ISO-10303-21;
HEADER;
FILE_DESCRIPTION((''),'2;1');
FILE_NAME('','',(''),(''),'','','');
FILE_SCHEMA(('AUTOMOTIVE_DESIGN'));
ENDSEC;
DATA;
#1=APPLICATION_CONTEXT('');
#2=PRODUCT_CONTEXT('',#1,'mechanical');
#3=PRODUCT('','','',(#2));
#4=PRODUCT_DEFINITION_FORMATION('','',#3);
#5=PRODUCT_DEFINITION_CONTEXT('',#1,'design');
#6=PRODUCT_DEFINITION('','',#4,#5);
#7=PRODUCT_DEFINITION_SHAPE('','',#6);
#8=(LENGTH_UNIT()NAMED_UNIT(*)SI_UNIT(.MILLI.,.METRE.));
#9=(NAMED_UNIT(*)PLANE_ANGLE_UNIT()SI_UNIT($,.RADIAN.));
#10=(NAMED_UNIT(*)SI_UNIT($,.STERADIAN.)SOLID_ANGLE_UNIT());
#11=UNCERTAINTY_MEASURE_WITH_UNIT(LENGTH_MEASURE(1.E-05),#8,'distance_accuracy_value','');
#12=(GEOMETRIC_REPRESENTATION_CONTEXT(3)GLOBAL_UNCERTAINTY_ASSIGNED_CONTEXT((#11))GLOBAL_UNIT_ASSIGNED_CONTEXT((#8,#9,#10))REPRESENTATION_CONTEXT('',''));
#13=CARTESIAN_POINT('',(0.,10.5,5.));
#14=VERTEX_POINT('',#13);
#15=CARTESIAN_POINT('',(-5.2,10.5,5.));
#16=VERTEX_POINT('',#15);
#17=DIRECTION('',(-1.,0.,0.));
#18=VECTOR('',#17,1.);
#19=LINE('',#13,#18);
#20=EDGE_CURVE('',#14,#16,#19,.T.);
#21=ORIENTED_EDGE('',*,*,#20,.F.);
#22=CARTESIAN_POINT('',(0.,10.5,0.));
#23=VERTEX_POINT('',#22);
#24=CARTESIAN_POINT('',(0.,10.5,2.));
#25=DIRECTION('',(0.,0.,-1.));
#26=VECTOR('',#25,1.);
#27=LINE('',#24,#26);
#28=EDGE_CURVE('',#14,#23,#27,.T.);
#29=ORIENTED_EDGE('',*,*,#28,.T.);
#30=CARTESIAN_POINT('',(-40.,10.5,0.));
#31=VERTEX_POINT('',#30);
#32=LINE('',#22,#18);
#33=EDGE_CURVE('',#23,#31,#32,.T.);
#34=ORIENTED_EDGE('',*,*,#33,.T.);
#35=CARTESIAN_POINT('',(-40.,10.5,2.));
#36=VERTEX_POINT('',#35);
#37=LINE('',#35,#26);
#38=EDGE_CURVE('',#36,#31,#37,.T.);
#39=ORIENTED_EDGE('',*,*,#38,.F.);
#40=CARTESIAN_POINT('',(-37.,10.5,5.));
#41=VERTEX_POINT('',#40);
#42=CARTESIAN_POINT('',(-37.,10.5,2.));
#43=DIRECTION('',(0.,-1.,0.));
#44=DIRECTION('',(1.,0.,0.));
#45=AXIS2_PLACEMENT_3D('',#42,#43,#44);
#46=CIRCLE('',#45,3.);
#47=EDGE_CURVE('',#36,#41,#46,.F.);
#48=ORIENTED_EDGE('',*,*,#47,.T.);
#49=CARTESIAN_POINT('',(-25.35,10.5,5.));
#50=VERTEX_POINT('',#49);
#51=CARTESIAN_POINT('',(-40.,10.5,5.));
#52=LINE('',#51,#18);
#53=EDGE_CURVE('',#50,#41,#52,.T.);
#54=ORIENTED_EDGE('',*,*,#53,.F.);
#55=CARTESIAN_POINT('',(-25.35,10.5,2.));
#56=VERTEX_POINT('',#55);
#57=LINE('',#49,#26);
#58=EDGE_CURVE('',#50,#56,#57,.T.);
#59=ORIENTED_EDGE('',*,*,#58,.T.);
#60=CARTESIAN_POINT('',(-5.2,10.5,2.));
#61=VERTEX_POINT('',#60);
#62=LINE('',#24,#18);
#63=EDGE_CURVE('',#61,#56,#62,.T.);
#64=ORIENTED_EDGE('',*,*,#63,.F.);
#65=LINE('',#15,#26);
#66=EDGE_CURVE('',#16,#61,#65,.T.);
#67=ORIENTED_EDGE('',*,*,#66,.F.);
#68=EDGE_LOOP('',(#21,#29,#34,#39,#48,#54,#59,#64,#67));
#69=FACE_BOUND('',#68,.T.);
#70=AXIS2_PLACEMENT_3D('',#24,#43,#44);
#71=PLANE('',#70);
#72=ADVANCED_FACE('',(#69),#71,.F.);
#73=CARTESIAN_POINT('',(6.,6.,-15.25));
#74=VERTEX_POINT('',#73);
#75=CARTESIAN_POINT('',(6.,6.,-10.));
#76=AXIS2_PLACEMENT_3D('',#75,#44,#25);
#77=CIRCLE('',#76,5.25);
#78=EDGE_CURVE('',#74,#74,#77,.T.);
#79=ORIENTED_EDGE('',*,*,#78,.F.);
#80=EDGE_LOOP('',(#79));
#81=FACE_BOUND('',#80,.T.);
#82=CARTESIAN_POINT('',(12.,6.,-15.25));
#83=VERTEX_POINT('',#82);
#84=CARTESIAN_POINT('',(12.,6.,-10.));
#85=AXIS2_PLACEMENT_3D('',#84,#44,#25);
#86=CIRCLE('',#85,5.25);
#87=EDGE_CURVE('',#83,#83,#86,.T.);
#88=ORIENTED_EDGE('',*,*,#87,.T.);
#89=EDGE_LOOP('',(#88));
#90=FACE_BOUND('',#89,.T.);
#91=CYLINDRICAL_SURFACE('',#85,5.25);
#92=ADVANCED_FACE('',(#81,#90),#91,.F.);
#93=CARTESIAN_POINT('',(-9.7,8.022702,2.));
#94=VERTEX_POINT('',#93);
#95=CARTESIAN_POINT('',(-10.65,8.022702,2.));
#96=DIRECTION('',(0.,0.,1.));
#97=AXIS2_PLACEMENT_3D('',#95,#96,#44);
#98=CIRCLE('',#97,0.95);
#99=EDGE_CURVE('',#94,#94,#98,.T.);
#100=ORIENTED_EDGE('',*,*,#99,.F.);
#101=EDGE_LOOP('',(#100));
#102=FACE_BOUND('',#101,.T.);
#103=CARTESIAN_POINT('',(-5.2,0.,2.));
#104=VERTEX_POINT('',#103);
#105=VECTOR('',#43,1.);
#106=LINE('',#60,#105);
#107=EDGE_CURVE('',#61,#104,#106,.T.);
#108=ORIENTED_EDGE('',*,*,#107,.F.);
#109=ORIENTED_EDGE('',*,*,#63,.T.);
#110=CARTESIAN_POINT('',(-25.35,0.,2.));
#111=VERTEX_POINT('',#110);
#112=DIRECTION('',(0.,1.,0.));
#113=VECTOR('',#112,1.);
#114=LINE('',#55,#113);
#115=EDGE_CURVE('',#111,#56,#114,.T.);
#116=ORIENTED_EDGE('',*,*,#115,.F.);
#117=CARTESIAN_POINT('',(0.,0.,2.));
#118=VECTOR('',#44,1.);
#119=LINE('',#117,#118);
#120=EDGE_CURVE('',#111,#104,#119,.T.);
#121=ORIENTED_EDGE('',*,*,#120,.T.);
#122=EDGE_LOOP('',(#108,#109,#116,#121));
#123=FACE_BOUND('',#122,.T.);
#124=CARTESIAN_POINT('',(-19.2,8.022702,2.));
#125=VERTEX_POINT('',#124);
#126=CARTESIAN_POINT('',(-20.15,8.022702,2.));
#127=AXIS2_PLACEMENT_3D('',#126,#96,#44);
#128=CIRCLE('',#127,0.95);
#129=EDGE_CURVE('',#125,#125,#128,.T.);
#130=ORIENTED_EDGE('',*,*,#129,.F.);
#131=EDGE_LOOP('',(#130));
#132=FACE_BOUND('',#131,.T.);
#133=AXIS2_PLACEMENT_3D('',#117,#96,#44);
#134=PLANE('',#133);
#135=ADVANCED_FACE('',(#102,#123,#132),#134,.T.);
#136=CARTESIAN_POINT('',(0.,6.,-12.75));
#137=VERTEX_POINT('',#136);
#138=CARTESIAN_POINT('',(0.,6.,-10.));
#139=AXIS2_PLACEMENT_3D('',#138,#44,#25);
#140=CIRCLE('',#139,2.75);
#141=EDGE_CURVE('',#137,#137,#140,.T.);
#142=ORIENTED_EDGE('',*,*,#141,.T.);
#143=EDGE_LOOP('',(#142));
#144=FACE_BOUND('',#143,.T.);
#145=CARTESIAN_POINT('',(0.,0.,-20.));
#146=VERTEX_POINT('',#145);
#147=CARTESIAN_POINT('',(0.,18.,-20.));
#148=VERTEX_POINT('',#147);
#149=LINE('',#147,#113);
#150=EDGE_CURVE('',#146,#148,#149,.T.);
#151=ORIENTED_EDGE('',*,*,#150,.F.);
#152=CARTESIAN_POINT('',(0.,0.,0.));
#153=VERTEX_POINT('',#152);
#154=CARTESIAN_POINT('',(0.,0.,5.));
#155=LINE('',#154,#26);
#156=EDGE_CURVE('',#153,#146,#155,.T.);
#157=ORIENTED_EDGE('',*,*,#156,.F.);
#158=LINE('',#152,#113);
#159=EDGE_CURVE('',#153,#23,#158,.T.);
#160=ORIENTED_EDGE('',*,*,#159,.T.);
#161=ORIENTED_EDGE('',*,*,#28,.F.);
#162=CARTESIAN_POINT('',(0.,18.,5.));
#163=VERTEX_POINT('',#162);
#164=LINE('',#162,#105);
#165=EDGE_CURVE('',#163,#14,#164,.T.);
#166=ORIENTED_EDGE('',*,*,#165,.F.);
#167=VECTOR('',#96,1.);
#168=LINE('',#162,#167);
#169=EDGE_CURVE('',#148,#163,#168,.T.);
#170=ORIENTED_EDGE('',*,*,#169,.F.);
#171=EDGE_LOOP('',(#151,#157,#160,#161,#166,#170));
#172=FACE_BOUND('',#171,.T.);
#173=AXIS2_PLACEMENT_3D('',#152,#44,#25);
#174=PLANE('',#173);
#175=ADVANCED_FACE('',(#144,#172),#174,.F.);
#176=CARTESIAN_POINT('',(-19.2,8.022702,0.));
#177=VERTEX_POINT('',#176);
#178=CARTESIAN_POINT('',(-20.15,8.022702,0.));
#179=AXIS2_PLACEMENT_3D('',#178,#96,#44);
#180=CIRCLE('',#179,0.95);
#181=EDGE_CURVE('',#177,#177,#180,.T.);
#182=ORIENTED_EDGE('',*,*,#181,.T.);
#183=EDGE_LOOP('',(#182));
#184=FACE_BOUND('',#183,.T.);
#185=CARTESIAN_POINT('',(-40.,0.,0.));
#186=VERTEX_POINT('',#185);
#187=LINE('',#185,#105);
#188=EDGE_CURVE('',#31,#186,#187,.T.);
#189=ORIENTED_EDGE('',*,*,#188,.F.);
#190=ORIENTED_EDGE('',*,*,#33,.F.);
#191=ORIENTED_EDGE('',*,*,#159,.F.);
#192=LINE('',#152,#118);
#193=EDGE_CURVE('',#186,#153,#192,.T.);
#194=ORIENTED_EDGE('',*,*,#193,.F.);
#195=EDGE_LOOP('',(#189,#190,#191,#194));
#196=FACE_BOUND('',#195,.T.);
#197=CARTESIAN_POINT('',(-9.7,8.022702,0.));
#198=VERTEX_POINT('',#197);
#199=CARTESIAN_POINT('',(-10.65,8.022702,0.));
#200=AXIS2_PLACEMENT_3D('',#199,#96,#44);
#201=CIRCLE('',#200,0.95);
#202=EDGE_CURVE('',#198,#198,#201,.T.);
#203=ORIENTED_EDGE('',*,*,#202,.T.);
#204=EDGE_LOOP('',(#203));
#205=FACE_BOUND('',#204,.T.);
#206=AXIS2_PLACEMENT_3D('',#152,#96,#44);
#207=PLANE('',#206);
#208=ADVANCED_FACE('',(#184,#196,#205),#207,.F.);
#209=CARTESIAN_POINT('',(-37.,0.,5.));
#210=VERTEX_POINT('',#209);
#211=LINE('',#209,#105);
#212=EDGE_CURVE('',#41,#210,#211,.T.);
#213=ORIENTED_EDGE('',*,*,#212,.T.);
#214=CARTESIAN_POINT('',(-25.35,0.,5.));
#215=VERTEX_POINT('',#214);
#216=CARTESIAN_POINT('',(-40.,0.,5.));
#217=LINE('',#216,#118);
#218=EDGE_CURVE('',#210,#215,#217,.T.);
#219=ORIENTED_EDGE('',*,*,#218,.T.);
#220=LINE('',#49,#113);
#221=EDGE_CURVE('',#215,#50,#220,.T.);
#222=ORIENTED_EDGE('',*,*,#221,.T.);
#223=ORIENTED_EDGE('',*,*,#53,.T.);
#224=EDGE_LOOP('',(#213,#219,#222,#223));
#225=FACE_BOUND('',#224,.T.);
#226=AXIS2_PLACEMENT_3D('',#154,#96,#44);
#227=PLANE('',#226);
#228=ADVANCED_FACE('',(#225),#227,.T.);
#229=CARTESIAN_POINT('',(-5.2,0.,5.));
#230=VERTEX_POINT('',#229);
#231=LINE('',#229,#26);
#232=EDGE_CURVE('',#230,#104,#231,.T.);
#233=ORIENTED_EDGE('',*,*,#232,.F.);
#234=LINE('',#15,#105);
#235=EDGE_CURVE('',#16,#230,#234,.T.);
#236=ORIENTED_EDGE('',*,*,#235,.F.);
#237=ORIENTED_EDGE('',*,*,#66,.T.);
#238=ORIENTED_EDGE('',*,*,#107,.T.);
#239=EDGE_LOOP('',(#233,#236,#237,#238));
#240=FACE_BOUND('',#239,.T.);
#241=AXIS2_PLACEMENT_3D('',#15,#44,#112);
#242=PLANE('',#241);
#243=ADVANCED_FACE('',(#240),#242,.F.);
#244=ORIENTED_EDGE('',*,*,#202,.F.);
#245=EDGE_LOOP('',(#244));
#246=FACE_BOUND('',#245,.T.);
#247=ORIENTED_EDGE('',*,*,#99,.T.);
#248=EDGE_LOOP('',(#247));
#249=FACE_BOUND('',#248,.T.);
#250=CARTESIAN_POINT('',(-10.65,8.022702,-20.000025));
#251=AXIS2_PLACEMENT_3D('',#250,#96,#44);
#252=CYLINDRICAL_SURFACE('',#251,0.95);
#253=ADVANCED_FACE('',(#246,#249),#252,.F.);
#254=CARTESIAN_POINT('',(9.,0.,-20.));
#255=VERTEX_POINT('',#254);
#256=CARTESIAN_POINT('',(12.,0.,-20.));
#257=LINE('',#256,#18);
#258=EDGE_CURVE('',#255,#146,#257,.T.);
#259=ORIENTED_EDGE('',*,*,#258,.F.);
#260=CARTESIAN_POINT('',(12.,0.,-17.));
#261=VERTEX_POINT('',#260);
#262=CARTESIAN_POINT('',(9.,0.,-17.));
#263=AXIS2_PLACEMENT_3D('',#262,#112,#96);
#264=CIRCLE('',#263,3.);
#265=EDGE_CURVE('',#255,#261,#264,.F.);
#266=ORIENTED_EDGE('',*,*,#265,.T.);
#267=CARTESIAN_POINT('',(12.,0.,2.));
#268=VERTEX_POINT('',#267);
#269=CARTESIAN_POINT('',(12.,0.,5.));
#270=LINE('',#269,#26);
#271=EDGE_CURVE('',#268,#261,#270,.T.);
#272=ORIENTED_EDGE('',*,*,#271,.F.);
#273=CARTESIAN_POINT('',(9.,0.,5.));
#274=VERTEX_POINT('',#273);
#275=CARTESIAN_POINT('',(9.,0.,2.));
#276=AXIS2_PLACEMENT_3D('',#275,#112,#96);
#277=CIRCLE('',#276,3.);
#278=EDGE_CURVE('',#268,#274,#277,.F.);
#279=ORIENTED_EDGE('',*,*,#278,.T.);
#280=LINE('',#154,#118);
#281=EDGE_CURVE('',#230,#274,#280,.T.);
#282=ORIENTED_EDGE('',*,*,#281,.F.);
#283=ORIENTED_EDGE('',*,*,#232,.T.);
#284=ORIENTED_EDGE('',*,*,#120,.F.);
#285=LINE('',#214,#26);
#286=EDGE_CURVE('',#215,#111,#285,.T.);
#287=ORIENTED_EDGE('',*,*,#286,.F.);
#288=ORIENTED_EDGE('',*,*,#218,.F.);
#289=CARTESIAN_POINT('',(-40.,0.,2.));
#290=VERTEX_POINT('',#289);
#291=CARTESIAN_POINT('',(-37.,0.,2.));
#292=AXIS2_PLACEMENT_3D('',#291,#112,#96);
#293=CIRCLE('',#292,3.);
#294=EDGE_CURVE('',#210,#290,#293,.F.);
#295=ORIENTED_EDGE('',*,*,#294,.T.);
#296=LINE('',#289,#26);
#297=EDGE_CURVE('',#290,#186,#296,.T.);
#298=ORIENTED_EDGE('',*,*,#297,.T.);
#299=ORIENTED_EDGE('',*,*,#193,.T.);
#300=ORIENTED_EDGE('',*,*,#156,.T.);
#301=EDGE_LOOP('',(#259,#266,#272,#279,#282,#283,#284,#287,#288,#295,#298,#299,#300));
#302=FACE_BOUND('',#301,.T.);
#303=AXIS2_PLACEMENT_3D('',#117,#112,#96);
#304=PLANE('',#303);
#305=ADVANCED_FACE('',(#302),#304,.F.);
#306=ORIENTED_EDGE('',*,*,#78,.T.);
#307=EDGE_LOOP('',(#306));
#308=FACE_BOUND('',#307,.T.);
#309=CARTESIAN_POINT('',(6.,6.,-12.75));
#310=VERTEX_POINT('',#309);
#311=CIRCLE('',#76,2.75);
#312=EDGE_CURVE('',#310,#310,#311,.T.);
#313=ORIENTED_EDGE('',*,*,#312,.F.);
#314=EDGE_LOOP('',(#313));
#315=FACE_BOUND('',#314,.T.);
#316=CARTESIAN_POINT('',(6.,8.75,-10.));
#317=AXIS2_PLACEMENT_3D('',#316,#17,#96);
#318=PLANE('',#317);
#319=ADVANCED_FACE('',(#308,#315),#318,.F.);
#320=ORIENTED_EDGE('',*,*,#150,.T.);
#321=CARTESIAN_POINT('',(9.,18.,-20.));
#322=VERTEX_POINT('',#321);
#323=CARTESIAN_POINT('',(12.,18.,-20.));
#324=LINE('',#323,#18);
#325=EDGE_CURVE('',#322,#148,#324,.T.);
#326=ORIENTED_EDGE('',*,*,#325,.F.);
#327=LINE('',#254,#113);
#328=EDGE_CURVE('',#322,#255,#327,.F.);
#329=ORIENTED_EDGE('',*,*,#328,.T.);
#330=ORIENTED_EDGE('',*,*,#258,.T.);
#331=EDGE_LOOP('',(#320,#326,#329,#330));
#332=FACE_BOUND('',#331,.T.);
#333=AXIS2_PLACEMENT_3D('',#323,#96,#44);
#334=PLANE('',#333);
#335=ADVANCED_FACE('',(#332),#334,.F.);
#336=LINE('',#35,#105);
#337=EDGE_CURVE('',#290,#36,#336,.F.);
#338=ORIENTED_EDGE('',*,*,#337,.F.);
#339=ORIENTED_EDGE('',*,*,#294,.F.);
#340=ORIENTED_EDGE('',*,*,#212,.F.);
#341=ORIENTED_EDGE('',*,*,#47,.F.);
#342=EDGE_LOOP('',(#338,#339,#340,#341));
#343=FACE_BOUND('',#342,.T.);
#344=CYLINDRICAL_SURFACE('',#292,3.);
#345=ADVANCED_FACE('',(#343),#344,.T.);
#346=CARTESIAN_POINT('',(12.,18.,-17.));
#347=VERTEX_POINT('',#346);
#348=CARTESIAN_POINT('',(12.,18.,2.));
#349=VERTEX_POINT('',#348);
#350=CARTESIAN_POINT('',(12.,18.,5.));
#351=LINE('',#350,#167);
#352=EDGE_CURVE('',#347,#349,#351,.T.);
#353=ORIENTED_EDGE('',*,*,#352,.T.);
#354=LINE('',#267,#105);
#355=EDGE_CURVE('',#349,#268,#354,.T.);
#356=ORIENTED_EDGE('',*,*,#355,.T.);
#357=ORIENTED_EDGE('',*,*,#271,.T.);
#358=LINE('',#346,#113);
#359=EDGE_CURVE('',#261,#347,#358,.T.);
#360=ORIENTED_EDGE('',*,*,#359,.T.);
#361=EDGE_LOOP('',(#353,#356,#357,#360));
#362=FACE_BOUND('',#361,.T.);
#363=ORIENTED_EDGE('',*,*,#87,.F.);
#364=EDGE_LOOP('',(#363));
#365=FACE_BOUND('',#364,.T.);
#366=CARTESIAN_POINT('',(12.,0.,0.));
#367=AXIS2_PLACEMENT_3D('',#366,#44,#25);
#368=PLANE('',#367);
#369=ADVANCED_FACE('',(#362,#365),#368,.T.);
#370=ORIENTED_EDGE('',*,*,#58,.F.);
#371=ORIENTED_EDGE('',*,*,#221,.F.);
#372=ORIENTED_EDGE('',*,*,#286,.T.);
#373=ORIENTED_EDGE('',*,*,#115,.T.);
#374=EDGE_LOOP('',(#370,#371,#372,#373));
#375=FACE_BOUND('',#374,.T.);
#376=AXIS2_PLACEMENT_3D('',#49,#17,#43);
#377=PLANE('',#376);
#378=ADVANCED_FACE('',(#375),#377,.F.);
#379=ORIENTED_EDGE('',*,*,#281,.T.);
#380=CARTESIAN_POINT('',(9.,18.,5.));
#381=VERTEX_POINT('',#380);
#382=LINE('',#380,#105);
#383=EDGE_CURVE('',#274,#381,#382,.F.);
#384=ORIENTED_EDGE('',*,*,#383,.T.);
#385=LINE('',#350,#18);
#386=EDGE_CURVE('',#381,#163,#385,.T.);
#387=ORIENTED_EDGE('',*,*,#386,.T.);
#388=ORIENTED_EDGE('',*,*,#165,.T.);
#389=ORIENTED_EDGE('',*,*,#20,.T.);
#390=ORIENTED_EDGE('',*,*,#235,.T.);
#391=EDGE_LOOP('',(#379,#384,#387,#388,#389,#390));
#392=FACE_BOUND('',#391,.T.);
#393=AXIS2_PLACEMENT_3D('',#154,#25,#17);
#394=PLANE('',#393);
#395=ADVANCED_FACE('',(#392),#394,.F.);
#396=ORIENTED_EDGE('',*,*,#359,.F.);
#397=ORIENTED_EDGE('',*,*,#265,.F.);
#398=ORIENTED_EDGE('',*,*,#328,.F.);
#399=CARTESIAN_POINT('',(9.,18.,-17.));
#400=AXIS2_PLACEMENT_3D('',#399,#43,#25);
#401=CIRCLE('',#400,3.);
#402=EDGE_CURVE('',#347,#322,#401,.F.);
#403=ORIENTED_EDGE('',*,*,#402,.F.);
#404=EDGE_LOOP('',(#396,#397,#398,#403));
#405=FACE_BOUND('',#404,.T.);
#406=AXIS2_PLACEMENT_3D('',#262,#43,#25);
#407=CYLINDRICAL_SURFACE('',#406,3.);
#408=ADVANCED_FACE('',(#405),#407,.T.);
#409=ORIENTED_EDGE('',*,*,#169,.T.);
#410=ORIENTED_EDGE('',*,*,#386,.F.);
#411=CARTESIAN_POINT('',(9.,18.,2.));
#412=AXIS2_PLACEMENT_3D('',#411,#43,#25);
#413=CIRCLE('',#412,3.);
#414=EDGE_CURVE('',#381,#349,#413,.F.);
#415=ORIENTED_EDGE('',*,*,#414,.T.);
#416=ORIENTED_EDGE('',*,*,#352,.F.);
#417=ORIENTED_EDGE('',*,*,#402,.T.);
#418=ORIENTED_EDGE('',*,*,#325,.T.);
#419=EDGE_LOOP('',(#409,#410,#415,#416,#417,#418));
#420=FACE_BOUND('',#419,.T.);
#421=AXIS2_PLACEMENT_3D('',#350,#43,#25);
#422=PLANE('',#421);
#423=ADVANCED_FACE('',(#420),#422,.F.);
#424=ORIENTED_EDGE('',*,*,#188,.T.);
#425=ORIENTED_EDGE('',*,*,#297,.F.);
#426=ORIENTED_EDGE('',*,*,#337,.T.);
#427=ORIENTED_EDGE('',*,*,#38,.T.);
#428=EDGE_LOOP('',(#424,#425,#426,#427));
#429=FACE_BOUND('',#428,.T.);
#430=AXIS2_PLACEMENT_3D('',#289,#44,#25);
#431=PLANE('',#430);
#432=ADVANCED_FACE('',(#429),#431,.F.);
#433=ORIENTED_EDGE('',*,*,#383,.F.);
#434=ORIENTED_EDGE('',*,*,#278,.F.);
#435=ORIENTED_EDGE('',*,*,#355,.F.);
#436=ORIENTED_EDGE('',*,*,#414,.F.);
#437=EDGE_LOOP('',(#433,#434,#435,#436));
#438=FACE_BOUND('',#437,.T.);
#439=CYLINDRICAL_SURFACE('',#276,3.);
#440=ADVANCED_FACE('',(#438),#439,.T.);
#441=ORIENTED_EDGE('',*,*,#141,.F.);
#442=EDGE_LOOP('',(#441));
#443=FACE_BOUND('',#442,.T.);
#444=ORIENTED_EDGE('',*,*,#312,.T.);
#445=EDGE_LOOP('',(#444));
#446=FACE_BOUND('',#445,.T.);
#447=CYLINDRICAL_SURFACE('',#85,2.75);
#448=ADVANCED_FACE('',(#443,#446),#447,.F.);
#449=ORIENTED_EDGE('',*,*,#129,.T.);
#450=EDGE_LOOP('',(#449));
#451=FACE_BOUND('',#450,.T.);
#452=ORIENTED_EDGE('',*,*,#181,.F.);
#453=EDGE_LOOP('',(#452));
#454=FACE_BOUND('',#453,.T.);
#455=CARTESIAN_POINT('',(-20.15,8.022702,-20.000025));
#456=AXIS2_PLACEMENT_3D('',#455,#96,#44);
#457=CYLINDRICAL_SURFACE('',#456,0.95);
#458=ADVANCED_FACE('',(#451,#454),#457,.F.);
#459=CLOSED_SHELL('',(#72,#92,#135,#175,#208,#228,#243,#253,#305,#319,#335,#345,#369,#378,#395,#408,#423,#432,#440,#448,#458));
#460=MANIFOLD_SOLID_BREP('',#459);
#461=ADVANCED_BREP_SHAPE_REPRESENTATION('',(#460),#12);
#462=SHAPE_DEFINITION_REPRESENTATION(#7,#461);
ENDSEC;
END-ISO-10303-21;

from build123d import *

# Parameters (mm, degrees)
SKETCH1_W                      = 40
SKETCH1_H                      = 10.5
BOSS_EXTRUDE1_DEPTH            = 2
SKETCH2_W                      = 14.65
SKETCH2_H                      = 10.5
SKETCH2_W_2                    = 5.2
BOSS_EXTRUDE2_DEPTH            = 3
SKETCH3_W                      = 25
SKETCH3_H                      = 18
BOSS_EXTRUDE3_DEPTH            = 12
CBORE_FOR_M5_SHCS1_D           = 5.5
CBORE_FOR_M5_SHCS1_DEPTH       = 12
CBORE_FOR_M5_SHCS1_CBORE_D     = 10.5
CBORE_FOR_M5_SHCS1_CBORE_DEPTH = 6
FILLET1_R                      = 3
SKETCH6_R                      = 0.95
CUT_EXTRUDE1_DEPTH             = 23


with BuildPart() as part:
    # Sketch1 → Boss-Extrude1 (new body)
    with BuildSketch(Plane.XY):
        with Locations((-20, 5.25)):
            Rectangle(SKETCH1_W, SKETCH1_H)
    extrude(amount=BOSS_EXTRUDE1_DEPTH)

    # Sketch2 → Boss-Extrude2 (add)
    with BuildSketch(Plane.XY.offset(2)):
        with Locations((-32.675, 5.25)):
            Rectangle(SKETCH2_W, SKETCH2_H)
        with Locations((-2.6, 5.25)):
            Rectangle(SKETCH2_W_2, SKETCH2_H)
    extrude(amount=BOSS_EXTRUDE2_DEPTH)

    # Sketch3 → Boss-Extrude3 (add)
    with BuildSketch(Plane(origin=(0, 0, 0), x_dir=(0, 0, -1), z_dir=(1, 0, 0))):
        with Locations((7.5, 9)):
            Rectangle(SKETCH3_W, SKETCH3_H)
    extrude(amount=BOSS_EXTRUDE3_DEPTH)

    # CBORE for M5 SHCS1
    with Locations(Plane(origin=(12, 0, 0), x_dir=(0, 0, -1), z_dir=(1, 0, 0))):
        with Locations((10, 6)):
            CounterBoreHole(CBORE_FOR_M5_SHCS1_D / 2, CBORE_FOR_M5_SHCS1_CBORE_D / 2, CBORE_FOR_M5_SHCS1_CBORE_DEPTH, depth=CBORE_FOR_M5_SHCS1_DEPTH)

    # Fillet1
    fillet1_edges = [part.edges().sort_by_distance(p)[0] for p in [
        (-40, 5.25, 5),
        (12, 9, 5),
        (12, 9, -20),
    ]]
    fillet(fillet1_edges, radius=FILLET1_R)

    # Sketch6 → Cut-Extrude1 (cut, through all)
    with BuildSketch(Plane.XY.offset(2)):
        with Locations((-20.15, 8.022701753)):
            Circle(SKETCH6_R)
        with Locations((-10.65, 8.022701753)):
            Circle(SKETCH6_R)
    extrude(amount=-CUT_EXTRUDE1_DEPTH, mode=Mode.SUBTRACT)


solid = part.part
